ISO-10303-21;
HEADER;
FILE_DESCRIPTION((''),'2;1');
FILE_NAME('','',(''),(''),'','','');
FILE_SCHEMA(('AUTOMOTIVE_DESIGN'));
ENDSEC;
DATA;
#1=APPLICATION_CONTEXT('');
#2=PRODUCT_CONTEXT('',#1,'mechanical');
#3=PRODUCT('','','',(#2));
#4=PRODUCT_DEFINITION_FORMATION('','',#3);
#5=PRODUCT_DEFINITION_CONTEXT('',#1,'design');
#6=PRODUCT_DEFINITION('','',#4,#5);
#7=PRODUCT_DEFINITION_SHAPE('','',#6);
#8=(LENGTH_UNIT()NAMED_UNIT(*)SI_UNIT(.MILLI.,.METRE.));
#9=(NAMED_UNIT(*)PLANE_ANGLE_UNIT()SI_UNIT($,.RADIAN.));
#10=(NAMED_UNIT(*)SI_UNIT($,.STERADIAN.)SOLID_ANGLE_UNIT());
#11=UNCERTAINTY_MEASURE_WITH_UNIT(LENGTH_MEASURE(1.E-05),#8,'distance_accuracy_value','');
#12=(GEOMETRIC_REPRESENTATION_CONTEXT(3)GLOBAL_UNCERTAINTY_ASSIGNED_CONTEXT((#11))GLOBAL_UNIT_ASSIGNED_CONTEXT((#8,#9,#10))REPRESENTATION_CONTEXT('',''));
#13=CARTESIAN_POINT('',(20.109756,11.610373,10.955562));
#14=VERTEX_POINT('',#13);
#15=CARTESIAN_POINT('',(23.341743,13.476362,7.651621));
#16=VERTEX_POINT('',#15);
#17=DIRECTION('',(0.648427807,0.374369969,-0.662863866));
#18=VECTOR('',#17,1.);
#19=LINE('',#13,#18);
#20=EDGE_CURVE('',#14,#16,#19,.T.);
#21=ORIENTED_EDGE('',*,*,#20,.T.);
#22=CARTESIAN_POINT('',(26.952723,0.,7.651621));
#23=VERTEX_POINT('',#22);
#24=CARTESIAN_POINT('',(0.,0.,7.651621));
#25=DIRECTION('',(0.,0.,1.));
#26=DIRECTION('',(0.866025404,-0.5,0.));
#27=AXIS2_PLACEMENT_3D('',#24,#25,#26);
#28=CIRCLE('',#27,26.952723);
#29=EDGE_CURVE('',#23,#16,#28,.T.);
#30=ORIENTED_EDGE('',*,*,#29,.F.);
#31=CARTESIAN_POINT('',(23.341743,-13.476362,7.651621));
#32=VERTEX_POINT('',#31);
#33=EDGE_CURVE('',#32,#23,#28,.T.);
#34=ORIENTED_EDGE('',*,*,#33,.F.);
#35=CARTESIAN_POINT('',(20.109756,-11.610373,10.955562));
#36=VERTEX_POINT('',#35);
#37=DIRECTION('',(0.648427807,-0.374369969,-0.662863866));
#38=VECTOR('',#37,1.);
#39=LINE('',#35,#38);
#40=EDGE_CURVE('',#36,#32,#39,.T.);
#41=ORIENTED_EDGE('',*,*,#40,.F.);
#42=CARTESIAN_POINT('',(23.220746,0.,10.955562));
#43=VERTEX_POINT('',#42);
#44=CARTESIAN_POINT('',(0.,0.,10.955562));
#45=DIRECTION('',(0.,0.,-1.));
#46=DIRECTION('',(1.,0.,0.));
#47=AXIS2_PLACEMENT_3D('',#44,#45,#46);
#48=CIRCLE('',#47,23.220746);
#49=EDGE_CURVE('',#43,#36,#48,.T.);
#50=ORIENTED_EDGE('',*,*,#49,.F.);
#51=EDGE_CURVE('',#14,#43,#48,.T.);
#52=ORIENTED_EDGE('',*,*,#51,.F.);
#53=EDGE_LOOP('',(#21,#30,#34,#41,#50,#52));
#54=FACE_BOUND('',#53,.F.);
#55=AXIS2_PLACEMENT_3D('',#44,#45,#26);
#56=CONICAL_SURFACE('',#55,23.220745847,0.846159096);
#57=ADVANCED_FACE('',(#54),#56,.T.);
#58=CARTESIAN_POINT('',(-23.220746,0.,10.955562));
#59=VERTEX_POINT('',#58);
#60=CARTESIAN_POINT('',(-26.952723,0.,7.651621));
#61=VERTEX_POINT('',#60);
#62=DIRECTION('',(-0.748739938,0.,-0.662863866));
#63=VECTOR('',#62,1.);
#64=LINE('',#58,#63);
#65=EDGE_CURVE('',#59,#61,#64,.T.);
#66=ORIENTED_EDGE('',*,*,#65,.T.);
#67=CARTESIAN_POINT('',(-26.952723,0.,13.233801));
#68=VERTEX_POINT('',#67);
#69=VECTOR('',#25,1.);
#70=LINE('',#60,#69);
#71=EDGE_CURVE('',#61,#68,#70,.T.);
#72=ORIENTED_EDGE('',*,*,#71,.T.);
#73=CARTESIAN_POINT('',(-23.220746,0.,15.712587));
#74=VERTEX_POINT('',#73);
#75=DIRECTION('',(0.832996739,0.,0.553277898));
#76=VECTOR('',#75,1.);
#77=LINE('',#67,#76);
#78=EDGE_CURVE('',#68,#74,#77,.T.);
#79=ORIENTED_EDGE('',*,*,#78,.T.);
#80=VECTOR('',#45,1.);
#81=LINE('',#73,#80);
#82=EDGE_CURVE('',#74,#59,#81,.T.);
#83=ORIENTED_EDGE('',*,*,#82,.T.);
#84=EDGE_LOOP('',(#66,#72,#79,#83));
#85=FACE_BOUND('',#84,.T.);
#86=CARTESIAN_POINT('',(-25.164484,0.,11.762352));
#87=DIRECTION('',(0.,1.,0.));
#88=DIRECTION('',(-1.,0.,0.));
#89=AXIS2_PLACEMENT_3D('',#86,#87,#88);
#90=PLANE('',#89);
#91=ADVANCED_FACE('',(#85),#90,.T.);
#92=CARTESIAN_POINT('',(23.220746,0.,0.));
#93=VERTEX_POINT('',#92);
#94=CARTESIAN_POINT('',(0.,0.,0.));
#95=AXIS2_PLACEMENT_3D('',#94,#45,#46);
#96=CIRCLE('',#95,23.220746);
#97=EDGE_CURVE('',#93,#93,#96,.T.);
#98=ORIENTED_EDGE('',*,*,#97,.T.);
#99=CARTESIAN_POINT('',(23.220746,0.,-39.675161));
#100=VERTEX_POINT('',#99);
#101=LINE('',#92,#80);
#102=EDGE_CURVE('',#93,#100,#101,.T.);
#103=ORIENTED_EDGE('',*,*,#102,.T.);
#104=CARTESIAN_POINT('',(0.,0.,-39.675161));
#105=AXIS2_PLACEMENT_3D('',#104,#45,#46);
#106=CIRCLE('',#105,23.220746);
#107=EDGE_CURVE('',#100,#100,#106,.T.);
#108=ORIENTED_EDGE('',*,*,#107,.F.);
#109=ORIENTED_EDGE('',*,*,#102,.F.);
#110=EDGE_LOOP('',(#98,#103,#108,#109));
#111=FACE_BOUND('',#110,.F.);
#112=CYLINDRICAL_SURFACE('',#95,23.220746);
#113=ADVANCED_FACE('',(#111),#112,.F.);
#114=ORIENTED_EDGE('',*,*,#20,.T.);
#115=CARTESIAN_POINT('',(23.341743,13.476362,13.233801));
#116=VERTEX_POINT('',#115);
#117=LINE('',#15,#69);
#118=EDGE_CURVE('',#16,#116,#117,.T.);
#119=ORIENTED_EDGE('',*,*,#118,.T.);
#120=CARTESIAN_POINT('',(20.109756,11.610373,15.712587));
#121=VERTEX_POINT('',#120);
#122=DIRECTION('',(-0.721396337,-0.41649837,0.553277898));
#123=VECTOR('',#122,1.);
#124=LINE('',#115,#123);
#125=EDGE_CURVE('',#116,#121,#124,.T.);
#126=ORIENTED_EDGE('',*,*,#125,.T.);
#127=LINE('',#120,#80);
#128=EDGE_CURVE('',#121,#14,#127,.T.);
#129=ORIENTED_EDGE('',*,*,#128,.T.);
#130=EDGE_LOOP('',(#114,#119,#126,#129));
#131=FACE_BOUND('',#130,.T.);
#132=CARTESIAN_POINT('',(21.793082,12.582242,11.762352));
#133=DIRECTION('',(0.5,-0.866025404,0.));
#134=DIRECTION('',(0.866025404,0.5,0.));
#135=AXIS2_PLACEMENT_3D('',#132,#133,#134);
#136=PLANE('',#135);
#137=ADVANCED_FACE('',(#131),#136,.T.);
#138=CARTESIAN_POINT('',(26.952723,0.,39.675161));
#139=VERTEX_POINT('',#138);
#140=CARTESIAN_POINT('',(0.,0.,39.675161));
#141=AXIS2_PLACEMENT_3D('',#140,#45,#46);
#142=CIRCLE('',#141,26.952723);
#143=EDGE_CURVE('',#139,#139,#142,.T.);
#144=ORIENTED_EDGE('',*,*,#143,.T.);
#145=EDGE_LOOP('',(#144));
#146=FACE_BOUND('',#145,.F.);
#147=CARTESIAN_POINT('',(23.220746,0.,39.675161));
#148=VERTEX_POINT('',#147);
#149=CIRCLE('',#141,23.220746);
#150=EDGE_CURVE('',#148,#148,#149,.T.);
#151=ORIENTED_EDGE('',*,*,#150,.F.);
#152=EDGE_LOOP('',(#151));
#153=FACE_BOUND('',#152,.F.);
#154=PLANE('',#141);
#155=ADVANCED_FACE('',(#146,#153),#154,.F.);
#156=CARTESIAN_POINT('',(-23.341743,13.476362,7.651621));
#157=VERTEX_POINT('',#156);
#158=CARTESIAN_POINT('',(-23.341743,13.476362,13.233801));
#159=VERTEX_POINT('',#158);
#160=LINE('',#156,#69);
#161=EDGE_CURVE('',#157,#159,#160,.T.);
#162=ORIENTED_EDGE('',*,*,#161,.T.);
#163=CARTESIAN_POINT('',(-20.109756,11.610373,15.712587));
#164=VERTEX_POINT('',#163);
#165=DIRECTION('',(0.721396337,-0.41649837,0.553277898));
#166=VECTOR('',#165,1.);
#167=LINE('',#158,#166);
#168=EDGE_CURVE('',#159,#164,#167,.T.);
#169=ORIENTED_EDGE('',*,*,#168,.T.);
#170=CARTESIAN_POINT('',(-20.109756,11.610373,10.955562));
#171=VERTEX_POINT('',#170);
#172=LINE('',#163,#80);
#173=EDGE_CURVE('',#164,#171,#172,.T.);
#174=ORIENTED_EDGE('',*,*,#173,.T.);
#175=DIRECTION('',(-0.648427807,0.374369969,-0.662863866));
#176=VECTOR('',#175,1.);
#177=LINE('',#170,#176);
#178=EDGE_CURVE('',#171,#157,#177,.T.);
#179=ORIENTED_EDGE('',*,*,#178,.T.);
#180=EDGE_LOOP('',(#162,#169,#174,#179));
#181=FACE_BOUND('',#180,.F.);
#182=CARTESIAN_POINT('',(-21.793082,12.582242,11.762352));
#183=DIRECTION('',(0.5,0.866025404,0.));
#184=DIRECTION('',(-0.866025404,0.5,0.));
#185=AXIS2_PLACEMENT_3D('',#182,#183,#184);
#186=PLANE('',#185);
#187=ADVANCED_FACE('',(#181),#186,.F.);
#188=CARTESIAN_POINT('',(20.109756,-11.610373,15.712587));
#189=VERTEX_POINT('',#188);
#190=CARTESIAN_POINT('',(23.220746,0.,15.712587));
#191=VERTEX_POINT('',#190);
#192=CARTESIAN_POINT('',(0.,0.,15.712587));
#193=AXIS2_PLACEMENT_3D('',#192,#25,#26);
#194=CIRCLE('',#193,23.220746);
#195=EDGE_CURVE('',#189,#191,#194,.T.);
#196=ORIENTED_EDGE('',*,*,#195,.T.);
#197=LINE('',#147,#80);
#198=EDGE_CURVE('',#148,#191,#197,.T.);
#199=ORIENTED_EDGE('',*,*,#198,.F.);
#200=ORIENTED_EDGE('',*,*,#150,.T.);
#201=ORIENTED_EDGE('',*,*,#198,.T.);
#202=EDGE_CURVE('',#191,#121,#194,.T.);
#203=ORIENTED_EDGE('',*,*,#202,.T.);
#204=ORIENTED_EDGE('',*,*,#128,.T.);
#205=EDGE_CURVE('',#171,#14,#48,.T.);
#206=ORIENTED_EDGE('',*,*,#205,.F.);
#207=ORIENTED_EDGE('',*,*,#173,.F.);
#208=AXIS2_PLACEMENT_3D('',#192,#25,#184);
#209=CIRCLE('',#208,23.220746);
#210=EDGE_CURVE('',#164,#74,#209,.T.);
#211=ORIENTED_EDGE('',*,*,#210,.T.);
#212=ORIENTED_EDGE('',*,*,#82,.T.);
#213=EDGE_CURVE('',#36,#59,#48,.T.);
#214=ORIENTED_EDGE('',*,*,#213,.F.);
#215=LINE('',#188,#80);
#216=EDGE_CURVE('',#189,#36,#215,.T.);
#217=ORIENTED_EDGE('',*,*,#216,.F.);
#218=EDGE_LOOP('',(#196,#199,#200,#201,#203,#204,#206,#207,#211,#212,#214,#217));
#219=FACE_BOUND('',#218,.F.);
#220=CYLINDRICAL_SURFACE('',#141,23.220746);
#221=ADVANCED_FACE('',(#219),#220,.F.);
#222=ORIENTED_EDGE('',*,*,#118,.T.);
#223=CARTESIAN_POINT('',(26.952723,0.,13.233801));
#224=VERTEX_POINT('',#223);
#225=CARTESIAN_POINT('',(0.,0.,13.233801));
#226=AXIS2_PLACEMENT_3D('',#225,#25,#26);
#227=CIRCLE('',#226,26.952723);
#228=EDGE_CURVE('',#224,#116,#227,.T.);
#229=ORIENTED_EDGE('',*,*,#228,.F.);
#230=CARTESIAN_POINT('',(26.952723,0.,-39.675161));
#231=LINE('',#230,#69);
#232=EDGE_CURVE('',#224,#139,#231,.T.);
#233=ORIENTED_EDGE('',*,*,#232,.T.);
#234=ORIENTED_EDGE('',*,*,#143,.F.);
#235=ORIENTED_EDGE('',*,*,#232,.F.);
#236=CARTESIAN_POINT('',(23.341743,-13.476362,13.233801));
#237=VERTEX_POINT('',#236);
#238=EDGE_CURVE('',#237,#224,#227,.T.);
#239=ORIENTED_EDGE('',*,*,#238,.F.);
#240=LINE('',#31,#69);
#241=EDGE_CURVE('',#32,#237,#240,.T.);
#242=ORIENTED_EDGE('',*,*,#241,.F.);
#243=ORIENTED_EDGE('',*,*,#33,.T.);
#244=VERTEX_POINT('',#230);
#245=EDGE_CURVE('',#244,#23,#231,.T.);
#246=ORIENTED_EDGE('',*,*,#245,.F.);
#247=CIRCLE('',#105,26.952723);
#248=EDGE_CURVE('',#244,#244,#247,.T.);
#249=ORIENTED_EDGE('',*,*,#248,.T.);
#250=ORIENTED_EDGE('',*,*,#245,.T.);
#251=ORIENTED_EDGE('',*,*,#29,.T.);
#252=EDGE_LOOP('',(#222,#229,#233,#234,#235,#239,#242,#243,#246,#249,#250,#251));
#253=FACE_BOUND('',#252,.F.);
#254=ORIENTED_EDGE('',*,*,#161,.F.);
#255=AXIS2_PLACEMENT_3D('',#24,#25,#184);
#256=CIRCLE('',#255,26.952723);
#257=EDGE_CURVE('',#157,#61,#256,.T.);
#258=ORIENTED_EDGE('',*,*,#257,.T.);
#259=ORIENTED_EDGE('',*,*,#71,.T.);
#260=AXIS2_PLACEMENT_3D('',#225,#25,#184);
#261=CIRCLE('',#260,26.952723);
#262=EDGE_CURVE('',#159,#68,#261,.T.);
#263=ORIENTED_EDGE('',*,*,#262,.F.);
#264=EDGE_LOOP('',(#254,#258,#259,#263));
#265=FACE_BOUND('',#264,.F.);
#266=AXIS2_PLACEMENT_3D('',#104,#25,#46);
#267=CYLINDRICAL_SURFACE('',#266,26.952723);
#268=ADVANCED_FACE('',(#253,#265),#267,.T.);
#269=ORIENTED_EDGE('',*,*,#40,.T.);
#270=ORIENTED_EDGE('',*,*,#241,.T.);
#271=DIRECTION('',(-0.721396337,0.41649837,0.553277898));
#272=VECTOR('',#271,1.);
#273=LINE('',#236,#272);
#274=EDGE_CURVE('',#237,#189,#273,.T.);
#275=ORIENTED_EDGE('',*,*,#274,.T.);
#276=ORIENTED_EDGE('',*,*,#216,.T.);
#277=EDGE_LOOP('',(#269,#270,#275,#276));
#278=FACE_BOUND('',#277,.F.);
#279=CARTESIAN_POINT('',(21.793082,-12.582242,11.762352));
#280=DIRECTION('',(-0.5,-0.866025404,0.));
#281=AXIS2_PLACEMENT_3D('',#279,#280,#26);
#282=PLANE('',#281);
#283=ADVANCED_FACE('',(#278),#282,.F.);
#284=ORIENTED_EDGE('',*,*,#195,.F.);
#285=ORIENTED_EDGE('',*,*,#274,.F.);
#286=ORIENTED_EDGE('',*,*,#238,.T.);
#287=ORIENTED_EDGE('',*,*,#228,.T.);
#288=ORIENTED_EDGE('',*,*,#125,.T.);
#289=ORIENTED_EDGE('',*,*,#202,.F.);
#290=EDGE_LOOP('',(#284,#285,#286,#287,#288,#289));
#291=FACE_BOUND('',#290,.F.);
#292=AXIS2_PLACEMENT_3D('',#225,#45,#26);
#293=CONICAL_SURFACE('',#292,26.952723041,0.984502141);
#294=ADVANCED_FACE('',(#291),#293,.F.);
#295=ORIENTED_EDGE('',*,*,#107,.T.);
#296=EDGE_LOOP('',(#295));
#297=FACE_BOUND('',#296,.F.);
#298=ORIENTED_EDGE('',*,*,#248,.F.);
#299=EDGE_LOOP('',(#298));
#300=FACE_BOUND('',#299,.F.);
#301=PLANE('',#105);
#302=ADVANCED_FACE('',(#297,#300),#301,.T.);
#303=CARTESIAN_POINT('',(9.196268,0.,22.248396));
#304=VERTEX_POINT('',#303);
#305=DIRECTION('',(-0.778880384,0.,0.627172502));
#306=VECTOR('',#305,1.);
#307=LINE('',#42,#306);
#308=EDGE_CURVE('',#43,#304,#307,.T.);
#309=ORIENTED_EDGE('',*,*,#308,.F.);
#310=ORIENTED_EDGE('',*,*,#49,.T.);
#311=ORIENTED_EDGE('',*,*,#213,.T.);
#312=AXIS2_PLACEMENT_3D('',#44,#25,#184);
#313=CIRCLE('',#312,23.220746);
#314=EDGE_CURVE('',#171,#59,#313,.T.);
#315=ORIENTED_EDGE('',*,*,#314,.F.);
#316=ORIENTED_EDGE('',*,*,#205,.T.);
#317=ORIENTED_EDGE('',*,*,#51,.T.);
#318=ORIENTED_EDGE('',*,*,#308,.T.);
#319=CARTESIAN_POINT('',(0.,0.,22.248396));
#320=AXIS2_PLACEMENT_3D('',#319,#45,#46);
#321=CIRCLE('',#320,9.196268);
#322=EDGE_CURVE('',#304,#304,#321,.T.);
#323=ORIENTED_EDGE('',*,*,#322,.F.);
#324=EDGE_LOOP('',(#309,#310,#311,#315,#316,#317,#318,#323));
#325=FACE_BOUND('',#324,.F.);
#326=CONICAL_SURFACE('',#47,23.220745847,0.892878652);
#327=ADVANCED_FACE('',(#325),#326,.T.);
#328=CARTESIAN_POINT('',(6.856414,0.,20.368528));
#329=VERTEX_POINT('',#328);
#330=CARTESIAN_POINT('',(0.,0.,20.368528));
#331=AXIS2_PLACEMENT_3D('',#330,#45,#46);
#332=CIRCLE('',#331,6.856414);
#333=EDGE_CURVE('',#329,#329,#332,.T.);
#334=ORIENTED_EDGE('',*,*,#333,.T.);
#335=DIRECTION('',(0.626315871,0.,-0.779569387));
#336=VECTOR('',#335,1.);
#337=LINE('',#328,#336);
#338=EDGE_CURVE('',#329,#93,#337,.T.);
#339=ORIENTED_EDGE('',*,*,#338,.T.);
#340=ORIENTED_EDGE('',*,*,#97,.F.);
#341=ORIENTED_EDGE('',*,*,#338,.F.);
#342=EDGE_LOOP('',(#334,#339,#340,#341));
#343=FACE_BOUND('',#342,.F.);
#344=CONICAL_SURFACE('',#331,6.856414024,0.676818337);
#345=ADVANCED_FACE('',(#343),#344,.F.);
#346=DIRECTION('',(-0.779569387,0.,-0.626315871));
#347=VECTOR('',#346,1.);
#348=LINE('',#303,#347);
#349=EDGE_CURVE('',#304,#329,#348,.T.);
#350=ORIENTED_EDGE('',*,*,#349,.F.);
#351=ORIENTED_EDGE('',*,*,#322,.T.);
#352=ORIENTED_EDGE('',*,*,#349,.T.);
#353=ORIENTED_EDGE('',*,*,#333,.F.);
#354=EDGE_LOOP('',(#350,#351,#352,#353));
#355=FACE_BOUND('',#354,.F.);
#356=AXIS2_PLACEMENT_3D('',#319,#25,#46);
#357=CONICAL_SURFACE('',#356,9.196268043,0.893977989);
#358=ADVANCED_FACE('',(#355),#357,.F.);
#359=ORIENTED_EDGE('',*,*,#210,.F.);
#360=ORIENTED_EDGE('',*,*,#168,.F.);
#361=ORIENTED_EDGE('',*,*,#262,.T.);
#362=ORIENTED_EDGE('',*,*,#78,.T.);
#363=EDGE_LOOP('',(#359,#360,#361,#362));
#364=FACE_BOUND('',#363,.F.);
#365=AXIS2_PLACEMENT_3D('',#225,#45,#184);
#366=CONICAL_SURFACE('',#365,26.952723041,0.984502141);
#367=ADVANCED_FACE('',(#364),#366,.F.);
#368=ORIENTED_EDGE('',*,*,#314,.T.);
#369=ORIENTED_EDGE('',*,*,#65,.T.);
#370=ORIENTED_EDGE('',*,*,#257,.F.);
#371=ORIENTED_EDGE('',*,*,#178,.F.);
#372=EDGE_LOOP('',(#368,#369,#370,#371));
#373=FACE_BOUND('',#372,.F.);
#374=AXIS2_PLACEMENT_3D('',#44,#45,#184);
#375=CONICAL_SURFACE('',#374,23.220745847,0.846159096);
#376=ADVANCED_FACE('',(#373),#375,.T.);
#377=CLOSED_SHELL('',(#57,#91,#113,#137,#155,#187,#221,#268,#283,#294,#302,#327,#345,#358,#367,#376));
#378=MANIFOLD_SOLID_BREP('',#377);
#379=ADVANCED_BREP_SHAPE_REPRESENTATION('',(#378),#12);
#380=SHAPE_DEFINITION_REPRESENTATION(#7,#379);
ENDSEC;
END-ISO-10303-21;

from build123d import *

# Parameters (mm, degrees)
F2_ANGLE_BACK  = 30
F2_ANGLE       = 60
F3_ANGLE_START = 150
F3_ANGLE       = 30


with BuildPart() as f1:
    # F0 (on Front) → F1 (revolve)
    with BuildSketch(Plane.XZ):
        Polygon((26.9527230412, 13.23380135), (26.9527230412, 39.6751612425), (23.2207458466, 39.6751612425), (23.2207458466, 15.7125871629), align=None)
        Polygon((26.9527230412, 7.6516205445), (26.9527230412, 13.23380135), (23.2207458466, 15.7125871629), (23.2207458466, 10.9555618837), align=None)
        Polygon((26.9527230412, -39.6751612425), (26.9527230412, 7.6516205445), (23.2207458466, 10.9555618837), (9.1962680429, 22.2483958323), (6.8564140238, 20.368527621), (23.2207458466, 0), (23.2207458466, -39.6751612425), align=None)
    revolve(axis=Axis((0, 0, 5.4553020746), (0, 0, -1)))

    # F0 (on Front) → F2 (revolve, cut)
    with BuildSketch(Plane.XZ, mode=Mode.PRIVATE) as f2_sk:
        Polygon((26.9527230412, 7.6516205445), (26.9527230412, 13.23380135), (23.2207458466, 15.7125871629), (23.2207458466, 10.9555618837), align=None)
    revolve(f2_sk.sketch.rotate(Axis((0, 0, 5.4553020746), (0, 0, 1)), -F2_ANGLE_BACK), axis=Axis((0, 0, 5.4553020746), (0, 0, 1)), revolution_arc=F2_ANGLE, mode=Mode.SUBTRACT)

    # F0 (on Front) → F3 (revolve, cut)
    with BuildSketch(Plane.XZ, mode=Mode.PRIVATE) as f3_sk:
        Polygon((26.9527230412, 7.6516205445), (26.9527230412, 13.23380135), (23.2207458466, 15.7125871629), (23.2207458466, 10.9555618837), align=None)
    revolve(f3_sk.sketch.rotate(Axis((0, 0, 5.4553020746), (0, 0, 1)), F3_ANGLE_START), axis=Axis((0, 0, 5.4553020746), (0, 0, 1)), revolution_arc=F3_ANGLE, mode=Mode.SUBTRACT)


solid = f1.part
